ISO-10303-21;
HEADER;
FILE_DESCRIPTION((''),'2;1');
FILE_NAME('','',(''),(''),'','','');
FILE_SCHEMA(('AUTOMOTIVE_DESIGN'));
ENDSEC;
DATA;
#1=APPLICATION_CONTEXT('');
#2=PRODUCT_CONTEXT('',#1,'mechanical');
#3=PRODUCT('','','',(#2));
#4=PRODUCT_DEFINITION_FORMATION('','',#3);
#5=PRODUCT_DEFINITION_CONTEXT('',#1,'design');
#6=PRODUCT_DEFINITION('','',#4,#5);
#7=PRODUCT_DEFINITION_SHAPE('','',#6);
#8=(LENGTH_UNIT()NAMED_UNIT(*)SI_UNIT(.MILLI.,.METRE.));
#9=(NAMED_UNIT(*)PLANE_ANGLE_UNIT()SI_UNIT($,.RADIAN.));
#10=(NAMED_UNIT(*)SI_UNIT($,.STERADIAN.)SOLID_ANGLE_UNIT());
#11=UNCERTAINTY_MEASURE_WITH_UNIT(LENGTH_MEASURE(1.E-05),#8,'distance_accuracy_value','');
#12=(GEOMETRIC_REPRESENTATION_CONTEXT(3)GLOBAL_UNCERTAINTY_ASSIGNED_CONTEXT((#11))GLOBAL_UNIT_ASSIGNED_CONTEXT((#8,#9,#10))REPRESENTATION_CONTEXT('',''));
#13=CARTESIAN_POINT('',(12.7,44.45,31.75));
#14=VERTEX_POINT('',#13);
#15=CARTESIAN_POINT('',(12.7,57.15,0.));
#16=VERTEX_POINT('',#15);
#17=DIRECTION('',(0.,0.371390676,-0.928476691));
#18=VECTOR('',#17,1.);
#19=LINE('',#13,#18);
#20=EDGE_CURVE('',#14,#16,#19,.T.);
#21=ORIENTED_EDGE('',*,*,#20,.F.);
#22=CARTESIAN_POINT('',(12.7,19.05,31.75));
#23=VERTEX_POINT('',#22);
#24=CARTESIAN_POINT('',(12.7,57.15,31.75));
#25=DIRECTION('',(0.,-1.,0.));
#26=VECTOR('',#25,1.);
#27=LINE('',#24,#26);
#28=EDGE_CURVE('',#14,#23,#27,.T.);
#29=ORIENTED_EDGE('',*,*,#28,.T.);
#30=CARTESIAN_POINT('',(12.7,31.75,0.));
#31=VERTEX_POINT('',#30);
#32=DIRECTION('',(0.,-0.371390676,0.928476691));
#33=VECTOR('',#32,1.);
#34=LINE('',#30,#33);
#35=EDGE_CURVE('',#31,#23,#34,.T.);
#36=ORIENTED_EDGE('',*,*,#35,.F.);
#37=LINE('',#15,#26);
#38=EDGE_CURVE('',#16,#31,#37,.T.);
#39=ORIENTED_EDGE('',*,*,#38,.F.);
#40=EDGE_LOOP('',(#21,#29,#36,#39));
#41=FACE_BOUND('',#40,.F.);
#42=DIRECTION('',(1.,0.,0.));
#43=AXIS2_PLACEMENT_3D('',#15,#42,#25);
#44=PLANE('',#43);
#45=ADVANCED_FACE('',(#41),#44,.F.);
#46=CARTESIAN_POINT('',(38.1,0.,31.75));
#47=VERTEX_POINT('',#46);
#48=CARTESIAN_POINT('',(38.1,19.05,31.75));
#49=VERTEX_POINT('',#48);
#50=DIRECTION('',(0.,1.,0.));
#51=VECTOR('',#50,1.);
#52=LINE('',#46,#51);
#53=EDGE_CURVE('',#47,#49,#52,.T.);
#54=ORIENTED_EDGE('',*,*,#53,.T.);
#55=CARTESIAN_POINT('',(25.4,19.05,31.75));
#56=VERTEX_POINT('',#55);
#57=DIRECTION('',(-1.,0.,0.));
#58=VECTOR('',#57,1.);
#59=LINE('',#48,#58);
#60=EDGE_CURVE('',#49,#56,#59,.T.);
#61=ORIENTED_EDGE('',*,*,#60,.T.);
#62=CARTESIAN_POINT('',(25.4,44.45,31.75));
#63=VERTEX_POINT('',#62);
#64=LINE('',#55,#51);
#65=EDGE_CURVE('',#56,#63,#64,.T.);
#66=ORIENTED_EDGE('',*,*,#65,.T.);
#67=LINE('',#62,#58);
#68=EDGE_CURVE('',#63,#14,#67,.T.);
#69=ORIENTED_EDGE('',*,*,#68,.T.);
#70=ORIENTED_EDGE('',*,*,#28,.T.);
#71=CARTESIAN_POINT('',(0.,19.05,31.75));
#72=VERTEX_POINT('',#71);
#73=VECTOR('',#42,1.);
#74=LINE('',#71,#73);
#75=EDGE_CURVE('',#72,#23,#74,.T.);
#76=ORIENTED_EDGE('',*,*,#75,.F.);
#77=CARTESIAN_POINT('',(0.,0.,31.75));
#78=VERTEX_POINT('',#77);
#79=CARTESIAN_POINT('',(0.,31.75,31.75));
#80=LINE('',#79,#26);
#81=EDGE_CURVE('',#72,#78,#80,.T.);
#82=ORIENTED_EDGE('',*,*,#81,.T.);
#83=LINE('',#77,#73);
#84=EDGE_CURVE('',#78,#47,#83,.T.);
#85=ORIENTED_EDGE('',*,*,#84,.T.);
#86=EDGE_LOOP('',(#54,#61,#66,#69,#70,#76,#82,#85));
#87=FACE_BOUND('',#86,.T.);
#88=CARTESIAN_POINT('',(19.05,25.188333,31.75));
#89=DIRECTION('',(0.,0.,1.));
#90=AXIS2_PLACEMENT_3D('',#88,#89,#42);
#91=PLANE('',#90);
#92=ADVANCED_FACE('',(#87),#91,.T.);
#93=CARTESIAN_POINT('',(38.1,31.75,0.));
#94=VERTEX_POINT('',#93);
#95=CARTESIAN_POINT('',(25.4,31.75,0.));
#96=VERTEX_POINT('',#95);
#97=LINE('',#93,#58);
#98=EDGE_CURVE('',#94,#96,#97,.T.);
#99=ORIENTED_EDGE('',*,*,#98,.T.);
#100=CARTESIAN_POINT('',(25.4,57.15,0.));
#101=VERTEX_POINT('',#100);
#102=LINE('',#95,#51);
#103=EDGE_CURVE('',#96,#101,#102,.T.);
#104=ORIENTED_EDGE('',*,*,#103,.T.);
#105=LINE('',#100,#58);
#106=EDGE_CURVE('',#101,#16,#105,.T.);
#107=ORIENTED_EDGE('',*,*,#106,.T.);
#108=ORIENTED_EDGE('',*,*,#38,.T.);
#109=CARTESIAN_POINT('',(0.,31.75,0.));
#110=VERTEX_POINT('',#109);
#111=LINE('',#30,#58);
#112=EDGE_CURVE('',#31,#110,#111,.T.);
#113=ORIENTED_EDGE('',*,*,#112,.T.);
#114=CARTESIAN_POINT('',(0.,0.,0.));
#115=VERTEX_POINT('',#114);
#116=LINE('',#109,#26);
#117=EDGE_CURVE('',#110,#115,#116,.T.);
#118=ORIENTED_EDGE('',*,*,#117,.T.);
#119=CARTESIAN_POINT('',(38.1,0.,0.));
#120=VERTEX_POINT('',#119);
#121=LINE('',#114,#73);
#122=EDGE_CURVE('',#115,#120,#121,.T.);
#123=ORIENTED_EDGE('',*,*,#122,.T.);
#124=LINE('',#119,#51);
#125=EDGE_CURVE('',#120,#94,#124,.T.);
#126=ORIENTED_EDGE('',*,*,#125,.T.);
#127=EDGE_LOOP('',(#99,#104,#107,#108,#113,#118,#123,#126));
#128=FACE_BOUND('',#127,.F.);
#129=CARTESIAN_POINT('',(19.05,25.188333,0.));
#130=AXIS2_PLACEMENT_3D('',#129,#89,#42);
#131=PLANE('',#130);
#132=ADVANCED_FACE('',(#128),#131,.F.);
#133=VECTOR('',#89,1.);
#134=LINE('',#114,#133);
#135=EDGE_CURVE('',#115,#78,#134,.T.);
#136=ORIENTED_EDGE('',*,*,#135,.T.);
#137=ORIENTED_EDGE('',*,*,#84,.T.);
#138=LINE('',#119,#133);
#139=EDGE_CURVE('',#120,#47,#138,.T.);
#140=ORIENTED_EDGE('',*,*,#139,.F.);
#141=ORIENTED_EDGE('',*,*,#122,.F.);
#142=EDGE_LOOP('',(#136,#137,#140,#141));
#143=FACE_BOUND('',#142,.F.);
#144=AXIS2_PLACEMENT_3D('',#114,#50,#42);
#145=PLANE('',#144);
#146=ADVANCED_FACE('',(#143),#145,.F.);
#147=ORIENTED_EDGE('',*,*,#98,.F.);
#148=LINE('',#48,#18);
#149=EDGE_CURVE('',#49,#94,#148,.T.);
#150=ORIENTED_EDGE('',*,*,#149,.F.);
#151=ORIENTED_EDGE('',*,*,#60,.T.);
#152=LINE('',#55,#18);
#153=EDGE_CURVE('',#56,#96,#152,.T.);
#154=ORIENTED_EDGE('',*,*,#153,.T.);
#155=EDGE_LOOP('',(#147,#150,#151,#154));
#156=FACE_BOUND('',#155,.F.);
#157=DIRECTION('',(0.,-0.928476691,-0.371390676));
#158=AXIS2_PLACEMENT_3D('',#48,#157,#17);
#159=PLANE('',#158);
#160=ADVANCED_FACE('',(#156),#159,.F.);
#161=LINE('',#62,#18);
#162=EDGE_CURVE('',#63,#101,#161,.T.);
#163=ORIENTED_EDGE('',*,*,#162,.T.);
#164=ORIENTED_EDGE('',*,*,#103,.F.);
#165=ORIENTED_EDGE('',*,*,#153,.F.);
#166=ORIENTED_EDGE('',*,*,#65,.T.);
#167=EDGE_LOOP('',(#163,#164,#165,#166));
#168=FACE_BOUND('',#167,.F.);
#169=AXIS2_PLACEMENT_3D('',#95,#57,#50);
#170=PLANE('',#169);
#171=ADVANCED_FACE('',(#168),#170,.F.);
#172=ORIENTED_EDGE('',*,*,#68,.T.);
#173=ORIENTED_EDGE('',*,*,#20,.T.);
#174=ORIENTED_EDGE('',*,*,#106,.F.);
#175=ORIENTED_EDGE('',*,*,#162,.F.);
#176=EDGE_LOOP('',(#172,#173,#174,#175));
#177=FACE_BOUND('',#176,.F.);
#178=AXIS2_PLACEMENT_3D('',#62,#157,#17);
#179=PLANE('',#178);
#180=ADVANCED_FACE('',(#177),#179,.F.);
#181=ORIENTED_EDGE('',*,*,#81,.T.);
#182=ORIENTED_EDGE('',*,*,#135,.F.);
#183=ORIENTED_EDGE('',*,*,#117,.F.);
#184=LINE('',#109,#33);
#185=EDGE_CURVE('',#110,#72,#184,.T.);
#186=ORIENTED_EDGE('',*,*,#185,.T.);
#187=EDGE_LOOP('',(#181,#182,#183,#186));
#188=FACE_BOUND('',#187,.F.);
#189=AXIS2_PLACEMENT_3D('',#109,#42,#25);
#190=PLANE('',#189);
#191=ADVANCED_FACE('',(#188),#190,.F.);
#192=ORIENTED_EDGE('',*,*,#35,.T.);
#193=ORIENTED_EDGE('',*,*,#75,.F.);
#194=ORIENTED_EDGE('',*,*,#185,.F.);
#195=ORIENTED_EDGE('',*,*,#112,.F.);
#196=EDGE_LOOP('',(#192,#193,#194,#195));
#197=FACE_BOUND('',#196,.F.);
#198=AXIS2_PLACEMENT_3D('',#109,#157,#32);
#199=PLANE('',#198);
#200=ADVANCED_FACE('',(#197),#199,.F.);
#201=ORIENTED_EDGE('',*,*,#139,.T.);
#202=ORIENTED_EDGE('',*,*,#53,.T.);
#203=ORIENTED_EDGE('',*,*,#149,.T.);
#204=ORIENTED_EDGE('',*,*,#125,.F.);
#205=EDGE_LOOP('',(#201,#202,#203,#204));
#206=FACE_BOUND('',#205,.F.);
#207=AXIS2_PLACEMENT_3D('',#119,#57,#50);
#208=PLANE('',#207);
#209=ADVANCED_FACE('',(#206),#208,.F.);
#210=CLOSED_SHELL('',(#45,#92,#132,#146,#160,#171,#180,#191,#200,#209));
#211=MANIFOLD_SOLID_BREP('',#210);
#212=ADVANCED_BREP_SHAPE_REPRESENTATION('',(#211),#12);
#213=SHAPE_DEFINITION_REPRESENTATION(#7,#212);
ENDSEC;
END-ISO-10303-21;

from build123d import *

# Parameters (mm, degrees)
F1_DEPTH = 31.75
F3_DEPTH = 12.7
F5_DEPTH = 12.7
F7_DEPTH = 12.7


with BuildPart() as f1:
    # F0 (on Top) → F1 (new body)
    with BuildSketch(Plane.XY):
        Polygon((0, 31.75), (0, 0), (38.1, 0), (38.1, 31.75), (25.4, 31.75), (25.4, 57.15), (12.7, 57.15), (12.7, 31.75), align=None)
    extrude(amount=F1_DEPTH)

    # F2 (on face) → F3 (cut)
    with BuildSketch(Plane(origin=(0, 0, 0), x_dir=(0, -1, 0), z_dir=(-1, 0, 0))):
        Polygon((-31.75, 31.75), (-31.75, 0), (-19.05, 31.75), align=None)
    extrude(amount=-F3_DEPTH, mode=Mode.SUBTRACT)

    # F4 (on face) → F5 (cut)
    with BuildSketch(Plane.YZ.offset(38.1)):
        Polygon((19.05, 31.75), (31.75, 0), (31.75, 31.75), align=None)
    extrude(amount=-F5_DEPTH, mode=Mode.SUBTRACT)

    # F6 (on face) → F7 (cut)
    with BuildSketch(Plane.YZ.offset(25.4)):
        Polygon((57.15, 0), (57.15, 31.75), (44.45, 31.75), align=None)
    extrude(amount=-F7_DEPTH, mode=Mode.SUBTRACT)


solid = f1.part
